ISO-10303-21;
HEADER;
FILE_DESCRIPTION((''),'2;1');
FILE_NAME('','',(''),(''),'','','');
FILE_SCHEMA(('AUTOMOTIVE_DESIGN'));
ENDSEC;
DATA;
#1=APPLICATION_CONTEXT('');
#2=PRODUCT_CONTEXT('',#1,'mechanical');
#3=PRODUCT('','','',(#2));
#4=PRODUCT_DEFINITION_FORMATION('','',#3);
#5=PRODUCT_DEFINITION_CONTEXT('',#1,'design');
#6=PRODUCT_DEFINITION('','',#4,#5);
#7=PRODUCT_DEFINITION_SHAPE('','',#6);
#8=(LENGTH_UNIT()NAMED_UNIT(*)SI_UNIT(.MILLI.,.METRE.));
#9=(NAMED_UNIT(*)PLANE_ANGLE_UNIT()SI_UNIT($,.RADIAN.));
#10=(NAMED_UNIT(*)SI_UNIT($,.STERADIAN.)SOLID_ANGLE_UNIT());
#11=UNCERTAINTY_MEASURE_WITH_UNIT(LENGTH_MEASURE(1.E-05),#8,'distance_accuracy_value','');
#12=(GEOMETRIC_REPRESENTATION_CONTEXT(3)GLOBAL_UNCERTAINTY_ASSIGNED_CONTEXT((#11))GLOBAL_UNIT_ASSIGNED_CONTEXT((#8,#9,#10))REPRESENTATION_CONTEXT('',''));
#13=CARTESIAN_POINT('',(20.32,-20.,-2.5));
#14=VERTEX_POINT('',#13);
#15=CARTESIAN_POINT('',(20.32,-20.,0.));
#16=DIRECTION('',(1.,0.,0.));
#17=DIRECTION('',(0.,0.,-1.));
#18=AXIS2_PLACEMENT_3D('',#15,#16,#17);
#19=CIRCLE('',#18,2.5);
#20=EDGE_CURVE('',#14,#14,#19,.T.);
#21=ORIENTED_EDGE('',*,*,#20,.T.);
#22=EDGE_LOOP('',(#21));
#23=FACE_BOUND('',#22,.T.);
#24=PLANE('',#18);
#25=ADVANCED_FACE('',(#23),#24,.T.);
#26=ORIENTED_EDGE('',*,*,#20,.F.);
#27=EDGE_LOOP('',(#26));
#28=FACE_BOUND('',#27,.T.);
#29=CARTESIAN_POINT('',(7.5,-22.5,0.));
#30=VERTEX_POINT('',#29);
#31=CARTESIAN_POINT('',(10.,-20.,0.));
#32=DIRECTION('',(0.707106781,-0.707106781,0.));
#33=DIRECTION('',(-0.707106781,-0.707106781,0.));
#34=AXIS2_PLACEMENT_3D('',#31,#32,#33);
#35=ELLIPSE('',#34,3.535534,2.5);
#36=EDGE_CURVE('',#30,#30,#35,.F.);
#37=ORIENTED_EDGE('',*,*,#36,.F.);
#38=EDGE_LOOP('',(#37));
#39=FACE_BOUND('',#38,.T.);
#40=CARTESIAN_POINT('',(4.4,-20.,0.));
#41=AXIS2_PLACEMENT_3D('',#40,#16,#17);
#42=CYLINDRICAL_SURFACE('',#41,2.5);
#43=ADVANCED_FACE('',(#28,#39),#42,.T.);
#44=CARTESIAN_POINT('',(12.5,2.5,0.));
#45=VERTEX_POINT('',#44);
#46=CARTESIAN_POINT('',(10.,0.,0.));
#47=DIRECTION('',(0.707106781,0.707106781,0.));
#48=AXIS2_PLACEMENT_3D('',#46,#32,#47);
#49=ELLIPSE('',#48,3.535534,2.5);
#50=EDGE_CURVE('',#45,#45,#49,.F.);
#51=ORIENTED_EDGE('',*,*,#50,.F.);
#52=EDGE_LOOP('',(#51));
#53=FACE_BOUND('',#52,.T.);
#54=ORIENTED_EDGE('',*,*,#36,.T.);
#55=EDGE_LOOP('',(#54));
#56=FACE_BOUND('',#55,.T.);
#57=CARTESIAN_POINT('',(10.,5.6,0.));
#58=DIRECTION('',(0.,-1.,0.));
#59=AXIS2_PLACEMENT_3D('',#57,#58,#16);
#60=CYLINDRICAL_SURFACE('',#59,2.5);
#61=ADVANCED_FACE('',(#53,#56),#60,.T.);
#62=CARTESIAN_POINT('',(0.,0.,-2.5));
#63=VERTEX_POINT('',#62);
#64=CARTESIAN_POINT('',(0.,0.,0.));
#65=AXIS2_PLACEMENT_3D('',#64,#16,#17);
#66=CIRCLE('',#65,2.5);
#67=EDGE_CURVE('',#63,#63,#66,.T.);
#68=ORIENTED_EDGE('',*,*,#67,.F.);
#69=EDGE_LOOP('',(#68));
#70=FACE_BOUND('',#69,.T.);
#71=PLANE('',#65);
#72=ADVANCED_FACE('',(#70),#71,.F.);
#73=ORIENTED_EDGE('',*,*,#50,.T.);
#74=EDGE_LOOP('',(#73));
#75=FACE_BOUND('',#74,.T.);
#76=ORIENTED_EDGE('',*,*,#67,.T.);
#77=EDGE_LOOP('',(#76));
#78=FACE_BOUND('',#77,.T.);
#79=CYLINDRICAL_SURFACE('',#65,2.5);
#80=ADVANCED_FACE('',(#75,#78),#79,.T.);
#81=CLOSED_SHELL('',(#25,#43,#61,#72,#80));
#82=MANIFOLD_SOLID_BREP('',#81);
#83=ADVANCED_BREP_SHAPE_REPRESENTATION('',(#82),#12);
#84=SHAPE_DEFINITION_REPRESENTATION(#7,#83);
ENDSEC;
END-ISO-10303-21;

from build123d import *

# Parameters (mm, degrees)
SKETCH_1_R = 2.5


with BuildPart() as part:
    # 扫描1: sweep along a path in 草图2
    with BuildLine(Plane.XY) as sweep_1_path:
        Line((0, 0), (10, 0))
        Line((10, 0), (10, -20))
        Line((10, -20), (20.32, -20))
    # 草图1 → 扫描1 (sweep)
    with BuildSketch(Plane(origin=(0, 0, 0), x_dir=(0, 0, -1), z_dir=(1, 0, 0))):
        Circle(SKETCH_1_R)
    sweep(path=sweep_1_path.line, transition=Transition.RIGHT)


solid = part.part
